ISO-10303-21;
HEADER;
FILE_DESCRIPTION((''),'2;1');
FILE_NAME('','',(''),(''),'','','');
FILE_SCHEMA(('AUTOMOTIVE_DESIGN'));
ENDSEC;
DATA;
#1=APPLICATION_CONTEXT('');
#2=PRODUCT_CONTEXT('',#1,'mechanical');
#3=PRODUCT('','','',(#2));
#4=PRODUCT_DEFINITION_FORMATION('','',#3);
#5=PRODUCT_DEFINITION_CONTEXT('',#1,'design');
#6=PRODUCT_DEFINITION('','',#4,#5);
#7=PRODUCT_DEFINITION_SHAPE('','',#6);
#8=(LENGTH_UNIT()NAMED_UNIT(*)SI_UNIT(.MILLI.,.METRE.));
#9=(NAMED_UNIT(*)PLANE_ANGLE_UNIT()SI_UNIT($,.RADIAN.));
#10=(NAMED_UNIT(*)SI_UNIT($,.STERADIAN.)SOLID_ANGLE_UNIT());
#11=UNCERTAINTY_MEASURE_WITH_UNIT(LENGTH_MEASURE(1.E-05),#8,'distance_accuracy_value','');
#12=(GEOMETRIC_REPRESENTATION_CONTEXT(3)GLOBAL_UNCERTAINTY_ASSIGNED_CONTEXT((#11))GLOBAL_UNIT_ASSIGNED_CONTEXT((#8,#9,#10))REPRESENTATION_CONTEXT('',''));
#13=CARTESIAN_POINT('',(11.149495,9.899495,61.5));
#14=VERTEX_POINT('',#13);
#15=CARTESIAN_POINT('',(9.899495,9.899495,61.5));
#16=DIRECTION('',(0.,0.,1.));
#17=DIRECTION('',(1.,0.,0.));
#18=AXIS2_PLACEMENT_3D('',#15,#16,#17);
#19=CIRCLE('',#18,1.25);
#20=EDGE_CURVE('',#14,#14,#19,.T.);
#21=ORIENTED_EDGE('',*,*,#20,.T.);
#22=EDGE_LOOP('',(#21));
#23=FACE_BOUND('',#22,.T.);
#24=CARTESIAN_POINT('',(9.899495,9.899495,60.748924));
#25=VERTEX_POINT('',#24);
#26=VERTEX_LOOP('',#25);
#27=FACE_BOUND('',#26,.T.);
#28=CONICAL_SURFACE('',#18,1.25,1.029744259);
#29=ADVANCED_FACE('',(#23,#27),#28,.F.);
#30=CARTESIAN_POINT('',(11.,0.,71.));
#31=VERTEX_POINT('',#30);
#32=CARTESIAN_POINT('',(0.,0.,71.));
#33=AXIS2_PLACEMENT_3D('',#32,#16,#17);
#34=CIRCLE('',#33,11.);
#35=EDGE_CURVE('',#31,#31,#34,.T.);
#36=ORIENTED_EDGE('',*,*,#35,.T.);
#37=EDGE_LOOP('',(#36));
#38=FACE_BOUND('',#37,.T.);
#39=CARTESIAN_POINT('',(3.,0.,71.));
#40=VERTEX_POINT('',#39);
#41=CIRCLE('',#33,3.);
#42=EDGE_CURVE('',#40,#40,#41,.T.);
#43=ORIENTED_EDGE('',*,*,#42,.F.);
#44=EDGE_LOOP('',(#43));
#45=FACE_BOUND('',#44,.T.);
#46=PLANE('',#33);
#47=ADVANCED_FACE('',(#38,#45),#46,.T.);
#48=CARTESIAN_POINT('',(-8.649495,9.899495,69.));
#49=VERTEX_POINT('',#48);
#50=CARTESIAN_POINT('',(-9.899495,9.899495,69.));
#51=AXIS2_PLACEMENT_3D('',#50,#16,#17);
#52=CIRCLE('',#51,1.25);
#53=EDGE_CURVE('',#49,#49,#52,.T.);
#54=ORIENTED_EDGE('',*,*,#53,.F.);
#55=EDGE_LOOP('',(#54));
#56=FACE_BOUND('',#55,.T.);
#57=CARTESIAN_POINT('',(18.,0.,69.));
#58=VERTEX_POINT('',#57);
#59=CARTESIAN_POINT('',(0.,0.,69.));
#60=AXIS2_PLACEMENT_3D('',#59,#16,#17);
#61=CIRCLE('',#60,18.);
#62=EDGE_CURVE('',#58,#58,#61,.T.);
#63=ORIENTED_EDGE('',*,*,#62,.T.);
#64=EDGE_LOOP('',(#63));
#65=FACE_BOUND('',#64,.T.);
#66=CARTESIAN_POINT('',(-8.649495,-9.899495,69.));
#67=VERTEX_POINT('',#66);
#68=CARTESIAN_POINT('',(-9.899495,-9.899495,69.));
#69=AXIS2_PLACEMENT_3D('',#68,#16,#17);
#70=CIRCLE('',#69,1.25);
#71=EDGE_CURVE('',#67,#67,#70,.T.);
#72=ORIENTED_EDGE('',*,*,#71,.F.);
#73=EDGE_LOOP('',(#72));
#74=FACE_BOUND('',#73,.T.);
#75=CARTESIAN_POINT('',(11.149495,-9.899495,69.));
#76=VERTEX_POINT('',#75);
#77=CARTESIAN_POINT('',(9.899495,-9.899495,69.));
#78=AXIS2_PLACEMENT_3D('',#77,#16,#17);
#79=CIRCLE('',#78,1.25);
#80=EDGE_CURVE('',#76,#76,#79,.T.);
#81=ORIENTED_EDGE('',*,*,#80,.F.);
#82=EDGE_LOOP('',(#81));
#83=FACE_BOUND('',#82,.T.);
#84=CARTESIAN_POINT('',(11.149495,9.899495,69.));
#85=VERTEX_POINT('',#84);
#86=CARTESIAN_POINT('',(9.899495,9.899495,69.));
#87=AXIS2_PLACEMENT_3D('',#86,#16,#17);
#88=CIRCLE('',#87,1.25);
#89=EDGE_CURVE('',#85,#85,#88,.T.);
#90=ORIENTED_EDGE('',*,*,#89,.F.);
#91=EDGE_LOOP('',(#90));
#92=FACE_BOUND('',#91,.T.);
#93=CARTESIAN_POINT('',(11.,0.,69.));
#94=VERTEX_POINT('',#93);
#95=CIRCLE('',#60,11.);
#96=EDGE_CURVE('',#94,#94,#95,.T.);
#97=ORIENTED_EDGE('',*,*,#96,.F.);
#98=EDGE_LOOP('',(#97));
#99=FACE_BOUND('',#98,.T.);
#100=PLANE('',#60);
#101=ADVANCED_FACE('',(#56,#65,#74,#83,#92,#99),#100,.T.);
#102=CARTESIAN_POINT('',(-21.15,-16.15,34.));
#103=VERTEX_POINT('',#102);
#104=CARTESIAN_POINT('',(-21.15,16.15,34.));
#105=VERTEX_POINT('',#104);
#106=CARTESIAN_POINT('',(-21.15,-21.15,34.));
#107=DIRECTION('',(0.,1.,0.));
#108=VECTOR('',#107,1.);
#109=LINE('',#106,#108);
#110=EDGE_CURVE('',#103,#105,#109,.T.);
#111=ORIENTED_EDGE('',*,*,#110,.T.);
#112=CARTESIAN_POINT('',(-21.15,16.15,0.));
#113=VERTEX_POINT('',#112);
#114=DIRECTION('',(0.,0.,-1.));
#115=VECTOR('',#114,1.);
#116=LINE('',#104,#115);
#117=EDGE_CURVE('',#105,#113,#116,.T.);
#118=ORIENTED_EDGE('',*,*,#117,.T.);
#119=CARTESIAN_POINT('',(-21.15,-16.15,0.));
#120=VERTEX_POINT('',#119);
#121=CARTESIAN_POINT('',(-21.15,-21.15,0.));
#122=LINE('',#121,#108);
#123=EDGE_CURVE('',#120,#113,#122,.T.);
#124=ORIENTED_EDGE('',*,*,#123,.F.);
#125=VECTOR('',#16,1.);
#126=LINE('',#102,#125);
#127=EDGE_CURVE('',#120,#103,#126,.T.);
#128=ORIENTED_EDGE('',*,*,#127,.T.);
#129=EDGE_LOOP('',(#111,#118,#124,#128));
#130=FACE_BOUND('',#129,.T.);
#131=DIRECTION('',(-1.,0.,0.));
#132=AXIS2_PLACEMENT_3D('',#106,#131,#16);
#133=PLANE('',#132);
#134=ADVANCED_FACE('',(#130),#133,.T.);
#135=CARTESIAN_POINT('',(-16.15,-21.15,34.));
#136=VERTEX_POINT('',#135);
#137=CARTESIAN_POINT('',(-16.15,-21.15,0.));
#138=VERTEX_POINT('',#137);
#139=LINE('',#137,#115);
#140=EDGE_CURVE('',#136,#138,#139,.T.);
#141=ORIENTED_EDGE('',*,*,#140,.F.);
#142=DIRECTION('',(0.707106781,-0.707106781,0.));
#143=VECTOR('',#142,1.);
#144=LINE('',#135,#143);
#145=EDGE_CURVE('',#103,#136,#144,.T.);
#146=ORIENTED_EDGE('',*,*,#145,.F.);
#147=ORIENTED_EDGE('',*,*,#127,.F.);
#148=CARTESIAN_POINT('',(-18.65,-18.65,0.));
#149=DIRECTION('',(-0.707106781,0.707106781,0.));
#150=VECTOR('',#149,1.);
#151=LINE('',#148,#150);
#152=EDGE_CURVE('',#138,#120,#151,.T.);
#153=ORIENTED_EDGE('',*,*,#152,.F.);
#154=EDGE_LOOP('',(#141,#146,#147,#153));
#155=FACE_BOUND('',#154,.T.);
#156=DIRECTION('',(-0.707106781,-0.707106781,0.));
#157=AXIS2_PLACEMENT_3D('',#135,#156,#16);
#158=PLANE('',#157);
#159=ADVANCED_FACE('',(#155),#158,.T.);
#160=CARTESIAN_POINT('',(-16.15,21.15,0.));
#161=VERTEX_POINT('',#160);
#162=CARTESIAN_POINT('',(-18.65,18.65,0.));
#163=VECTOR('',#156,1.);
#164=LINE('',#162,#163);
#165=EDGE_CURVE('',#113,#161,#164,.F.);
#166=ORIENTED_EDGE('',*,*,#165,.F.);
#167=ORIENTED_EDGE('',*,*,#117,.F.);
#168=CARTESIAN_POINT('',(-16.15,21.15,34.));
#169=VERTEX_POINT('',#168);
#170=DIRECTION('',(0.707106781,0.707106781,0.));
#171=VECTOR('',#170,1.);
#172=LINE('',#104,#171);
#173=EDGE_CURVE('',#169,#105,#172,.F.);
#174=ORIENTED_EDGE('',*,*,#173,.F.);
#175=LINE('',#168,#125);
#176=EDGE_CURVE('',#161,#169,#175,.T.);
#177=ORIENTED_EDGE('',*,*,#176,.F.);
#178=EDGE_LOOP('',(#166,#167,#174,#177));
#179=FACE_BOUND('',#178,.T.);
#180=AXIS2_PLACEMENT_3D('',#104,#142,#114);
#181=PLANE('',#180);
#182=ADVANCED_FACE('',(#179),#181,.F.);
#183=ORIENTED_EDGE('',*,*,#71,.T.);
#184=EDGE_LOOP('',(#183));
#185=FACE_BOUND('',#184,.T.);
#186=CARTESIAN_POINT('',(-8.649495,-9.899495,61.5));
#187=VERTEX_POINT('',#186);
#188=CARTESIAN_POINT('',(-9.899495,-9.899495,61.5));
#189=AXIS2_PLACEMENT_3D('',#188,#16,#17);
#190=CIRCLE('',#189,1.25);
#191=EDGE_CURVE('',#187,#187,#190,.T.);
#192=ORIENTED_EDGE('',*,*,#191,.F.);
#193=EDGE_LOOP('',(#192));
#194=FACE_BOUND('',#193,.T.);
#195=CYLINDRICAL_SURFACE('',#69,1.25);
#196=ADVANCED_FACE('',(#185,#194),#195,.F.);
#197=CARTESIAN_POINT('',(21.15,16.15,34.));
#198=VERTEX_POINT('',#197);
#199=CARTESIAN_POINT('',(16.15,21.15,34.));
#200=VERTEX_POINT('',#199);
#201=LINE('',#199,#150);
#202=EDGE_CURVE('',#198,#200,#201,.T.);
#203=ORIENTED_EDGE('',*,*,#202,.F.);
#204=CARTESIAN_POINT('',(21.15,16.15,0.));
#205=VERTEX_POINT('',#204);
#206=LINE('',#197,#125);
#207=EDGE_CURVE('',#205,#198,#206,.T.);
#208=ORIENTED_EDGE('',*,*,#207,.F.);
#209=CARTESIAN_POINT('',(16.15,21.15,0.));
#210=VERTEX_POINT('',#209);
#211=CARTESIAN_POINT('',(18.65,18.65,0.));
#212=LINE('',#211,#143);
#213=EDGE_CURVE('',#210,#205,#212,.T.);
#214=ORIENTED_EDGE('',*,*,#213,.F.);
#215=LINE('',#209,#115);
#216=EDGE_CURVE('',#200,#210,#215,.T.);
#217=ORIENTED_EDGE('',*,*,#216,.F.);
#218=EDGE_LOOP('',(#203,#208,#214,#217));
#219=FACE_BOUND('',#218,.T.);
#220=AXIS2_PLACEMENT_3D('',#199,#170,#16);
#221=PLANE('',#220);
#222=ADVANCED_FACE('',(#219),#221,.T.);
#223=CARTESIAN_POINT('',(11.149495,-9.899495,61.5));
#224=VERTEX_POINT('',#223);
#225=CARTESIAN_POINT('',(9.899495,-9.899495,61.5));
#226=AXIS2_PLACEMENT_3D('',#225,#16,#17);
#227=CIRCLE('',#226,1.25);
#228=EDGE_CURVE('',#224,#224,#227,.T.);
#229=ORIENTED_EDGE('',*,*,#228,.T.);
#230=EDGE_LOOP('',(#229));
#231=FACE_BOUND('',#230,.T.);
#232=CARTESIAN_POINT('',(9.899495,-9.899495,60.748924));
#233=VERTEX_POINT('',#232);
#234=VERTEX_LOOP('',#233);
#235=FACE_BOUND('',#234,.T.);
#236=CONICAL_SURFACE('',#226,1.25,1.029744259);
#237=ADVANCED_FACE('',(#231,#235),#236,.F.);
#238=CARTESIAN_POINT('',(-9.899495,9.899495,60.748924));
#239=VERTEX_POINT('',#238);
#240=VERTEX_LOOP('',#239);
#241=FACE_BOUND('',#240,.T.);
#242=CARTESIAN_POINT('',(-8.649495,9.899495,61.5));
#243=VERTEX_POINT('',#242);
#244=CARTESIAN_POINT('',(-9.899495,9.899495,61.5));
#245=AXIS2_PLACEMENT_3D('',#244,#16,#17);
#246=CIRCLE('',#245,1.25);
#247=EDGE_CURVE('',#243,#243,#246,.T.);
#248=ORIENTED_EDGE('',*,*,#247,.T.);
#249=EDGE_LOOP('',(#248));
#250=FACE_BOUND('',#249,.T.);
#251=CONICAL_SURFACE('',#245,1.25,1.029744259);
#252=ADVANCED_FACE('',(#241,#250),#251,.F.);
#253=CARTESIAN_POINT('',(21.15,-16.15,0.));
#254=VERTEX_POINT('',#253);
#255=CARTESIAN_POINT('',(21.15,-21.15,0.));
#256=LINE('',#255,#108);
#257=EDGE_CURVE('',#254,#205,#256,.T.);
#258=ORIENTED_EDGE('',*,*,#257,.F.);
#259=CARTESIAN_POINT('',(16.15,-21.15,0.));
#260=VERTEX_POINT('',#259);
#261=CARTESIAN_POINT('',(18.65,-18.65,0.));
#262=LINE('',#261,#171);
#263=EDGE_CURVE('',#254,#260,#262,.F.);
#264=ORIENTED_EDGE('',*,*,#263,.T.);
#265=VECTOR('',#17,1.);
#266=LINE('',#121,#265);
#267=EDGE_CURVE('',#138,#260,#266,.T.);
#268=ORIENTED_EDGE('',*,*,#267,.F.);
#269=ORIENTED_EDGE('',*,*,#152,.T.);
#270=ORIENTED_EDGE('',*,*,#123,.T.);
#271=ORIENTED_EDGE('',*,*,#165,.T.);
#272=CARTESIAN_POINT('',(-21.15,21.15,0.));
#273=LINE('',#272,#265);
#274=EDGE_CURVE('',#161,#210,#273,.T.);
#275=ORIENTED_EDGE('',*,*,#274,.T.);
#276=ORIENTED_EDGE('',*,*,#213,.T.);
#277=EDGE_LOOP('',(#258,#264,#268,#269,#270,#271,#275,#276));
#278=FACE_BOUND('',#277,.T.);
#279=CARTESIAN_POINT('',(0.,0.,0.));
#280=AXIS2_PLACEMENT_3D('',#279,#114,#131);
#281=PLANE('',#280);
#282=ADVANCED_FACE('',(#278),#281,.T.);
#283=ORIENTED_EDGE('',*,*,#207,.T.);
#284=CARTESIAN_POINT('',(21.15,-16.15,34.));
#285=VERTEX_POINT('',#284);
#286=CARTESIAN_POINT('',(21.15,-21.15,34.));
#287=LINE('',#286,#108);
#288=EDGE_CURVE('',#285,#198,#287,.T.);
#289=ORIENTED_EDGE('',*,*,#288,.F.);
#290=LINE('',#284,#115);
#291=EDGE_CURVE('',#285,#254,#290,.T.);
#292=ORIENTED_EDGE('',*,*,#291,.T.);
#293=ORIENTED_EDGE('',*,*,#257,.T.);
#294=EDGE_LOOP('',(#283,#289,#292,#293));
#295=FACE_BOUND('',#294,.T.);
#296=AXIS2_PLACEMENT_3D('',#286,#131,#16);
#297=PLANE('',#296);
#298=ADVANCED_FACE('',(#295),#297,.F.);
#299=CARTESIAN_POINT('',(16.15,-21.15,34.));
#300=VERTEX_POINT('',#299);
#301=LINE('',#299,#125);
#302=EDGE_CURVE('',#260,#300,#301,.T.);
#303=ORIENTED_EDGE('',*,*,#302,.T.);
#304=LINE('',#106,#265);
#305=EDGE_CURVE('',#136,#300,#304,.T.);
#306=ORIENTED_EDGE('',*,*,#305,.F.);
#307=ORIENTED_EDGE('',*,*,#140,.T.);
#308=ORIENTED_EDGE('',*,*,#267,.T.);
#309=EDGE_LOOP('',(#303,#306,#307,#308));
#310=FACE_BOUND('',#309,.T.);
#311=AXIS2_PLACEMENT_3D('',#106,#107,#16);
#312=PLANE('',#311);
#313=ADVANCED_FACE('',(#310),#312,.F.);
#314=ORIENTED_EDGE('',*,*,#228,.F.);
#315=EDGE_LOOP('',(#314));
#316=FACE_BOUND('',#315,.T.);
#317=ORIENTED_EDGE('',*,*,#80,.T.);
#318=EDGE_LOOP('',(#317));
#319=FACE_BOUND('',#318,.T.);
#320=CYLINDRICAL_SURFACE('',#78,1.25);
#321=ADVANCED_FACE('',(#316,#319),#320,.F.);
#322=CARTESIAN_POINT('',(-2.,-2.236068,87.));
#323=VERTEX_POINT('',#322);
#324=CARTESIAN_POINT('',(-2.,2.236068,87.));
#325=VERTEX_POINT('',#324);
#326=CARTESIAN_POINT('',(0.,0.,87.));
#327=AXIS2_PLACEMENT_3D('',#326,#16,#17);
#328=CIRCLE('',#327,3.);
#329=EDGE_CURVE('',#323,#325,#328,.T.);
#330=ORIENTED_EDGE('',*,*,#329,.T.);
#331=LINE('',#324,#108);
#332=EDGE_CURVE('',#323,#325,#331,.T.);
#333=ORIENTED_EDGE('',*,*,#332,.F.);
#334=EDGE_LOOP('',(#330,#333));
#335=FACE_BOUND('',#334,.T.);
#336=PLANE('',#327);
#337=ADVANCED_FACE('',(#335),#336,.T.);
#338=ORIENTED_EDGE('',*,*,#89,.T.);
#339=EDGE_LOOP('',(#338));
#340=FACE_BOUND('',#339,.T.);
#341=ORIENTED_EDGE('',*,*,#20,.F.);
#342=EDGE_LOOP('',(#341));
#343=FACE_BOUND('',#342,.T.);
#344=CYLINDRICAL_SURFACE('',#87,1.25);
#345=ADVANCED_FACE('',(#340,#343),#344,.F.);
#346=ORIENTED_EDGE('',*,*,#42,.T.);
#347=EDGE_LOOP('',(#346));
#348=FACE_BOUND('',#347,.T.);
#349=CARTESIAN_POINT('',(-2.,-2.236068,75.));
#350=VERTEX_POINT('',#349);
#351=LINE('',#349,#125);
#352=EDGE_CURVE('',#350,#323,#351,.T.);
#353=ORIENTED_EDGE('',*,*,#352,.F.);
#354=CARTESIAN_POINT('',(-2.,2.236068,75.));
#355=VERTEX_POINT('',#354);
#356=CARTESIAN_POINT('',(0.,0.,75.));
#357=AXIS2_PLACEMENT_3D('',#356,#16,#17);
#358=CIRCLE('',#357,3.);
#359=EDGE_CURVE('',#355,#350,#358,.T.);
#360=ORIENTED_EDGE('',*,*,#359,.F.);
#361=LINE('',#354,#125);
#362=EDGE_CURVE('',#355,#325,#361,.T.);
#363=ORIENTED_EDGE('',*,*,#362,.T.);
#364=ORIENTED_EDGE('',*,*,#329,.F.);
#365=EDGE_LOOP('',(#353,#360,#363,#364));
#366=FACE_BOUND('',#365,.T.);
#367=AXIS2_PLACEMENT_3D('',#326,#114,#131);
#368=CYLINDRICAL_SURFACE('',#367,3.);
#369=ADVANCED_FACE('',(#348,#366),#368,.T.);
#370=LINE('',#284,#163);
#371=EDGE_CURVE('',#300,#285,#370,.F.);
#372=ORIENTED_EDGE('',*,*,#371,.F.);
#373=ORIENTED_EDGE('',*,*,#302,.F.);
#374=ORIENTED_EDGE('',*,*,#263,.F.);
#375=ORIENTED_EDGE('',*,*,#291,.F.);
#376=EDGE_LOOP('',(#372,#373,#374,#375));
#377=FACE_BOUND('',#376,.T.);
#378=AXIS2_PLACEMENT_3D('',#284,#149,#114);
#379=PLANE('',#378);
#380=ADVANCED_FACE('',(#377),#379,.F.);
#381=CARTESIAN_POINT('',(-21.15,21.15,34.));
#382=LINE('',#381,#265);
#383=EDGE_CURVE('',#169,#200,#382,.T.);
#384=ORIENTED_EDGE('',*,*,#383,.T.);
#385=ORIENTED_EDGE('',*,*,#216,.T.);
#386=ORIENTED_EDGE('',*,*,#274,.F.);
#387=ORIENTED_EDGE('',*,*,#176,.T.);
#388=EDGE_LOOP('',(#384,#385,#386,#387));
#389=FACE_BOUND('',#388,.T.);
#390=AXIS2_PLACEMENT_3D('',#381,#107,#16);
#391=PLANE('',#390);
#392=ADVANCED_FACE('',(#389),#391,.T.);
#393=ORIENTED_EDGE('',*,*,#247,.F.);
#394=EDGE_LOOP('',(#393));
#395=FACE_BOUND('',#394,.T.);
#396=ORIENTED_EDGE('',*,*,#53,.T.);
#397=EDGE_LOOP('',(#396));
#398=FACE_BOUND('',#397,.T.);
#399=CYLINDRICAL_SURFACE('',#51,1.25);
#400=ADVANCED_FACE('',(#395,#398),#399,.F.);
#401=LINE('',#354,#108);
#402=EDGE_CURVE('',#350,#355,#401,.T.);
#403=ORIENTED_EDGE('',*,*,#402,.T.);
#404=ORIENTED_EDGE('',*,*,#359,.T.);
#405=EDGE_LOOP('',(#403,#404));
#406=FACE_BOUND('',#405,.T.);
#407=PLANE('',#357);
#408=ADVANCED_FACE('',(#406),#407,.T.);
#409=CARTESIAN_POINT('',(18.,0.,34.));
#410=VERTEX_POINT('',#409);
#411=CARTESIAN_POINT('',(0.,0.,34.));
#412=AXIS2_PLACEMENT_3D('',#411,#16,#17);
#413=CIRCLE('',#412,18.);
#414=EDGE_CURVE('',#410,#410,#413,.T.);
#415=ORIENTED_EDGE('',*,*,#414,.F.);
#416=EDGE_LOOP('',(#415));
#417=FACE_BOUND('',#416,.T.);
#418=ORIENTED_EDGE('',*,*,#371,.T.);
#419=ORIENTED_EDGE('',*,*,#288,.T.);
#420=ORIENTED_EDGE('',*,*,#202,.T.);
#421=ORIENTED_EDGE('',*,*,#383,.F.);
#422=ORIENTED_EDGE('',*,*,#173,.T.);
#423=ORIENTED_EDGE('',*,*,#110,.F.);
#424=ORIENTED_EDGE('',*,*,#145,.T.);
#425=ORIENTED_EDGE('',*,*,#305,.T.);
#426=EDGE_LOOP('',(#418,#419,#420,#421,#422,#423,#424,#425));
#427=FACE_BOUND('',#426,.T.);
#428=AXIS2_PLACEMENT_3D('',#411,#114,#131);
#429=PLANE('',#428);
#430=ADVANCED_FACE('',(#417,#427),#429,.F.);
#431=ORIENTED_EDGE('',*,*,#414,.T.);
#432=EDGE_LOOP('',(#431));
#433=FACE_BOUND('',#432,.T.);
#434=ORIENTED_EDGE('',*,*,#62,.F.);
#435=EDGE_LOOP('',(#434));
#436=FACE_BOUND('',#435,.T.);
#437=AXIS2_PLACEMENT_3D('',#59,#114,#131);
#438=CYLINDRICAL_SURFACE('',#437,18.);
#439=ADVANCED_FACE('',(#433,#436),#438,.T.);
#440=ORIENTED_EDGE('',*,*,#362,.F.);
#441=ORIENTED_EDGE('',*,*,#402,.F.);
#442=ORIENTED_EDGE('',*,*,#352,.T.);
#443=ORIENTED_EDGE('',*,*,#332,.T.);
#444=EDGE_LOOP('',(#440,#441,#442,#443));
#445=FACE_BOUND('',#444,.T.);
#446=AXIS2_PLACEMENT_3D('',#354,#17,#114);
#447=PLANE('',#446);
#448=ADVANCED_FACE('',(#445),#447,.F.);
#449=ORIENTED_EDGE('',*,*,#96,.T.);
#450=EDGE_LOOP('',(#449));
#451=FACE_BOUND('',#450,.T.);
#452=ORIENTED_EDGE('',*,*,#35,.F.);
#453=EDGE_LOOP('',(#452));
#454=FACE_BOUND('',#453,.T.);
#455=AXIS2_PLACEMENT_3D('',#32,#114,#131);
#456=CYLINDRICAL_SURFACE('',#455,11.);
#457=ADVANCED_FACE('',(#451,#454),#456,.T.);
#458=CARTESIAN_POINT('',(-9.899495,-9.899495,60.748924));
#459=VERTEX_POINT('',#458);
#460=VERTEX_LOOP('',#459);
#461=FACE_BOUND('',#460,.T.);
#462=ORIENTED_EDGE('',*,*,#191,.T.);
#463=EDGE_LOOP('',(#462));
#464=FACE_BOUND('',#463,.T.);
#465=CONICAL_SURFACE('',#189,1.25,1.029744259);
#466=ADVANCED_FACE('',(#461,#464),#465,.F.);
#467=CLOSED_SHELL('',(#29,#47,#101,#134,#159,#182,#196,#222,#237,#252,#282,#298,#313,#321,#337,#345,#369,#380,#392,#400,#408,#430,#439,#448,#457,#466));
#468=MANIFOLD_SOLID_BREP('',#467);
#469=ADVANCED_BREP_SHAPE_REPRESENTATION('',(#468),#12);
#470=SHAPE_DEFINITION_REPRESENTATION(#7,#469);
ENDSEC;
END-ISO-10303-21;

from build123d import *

# Parameters (mm, degrees)
SKETCH1_W                 = 42.3
SKETCH1_H                 = 42.3
BOSS_EXTRUDE1_DEPTH       = 34
SKETCH2_R                 = 18
BOSS_EXTRUDE2_DEPTH       = 35
SKETCH3_R                 = 11
BOSS_EXTRUDE3_DEPTH       = 2
SKETCH4_R                 = 3
BOSS_EXTRUDE4_DEPTH       = 16
CUT_EXTRUDE1_DEPTH        = 12
CHAMFER1_SIZE             = 5
M3X0_5_TAPPED_HOLE1_D     = 2.5
M3X0_5_TAPPED_HOLE1_DEPTH = 7.5
M3X0_5_TAPPED_HOLE1_TIP   = 0.751075774


with BuildPart() as part:
    # Sketch1 → Boss-Extrude1 (new body)
    with BuildSketch(Plane.XY):
        Rectangle(SKETCH1_W, SKETCH1_H)
    extrude(amount=BOSS_EXTRUDE1_DEPTH)

    # Sketch2 → Boss-Extrude2 (add)
    with BuildSketch(Plane.XY.offset(34)):
        Circle(SKETCH2_R)
    extrude(amount=BOSS_EXTRUDE2_DEPTH)

    # Sketch3 → Boss-Extrude3 (add)
    with BuildSketch(Plane.XY.offset(69)):
        Circle(SKETCH3_R)
    extrude(amount=BOSS_EXTRUDE3_DEPTH)

    # Sketch4 → Boss-Extrude4 (add)
    with BuildSketch(Plane.XY.offset(71)):
        Circle(SKETCH4_R)
    extrude(amount=BOSS_EXTRUDE4_DEPTH)

    # Sketch5 → Cut-Extrude1 (cut)
    with BuildSketch(Plane.XY.offset(87)):
        with BuildLine():
            Line((-2, 2.236067977), (-2, -2.236067977))
            ThreePointArc((-2, -2.236067977), (-3, 0), (-2, 2.236067977))
        make_face()
    extrude(amount=-CUT_EXTRUDE1_DEPTH, mode=Mode.SUBTRACT)

    # Chamfer1
    chamfer1_edges = [part.edges().sort_by_distance(p)[0] for p in [
        (-21.15, -21.15, 17),
        (21.15, -21.15, 17),
        (21.15, 21.15, 17),
        (-21.15, 21.15, 17),
    ]]
    chamfer(chamfer1_edges, length=CHAMFER1_SIZE)

    # M3x0.5 Tapped Hole1
    with Locations(Plane.XY.offset(69)):
        with Locations((-9.899494937, 9.899494937), (9.899494937, 9.899494937), (9.899494937, -9.899494937), (-9.899494937, -9.899494937)):
            Hole(M3X0_5_TAPPED_HOLE1_D / 2, depth=M3X0_5_TAPPED_HOLE1_DEPTH)
            with Locations((0, 0, -(M3X0_5_TAPPED_HOLE1_DEPTH + M3X0_5_TAPPED_HOLE1_TIP / 2))):  # 118° drill point
                Cone(0, M3X0_5_TAPPED_HOLE1_D / 2, M3X0_5_TAPPED_HOLE1_TIP, mode=Mode.SUBTRACT)


solid = part.part
